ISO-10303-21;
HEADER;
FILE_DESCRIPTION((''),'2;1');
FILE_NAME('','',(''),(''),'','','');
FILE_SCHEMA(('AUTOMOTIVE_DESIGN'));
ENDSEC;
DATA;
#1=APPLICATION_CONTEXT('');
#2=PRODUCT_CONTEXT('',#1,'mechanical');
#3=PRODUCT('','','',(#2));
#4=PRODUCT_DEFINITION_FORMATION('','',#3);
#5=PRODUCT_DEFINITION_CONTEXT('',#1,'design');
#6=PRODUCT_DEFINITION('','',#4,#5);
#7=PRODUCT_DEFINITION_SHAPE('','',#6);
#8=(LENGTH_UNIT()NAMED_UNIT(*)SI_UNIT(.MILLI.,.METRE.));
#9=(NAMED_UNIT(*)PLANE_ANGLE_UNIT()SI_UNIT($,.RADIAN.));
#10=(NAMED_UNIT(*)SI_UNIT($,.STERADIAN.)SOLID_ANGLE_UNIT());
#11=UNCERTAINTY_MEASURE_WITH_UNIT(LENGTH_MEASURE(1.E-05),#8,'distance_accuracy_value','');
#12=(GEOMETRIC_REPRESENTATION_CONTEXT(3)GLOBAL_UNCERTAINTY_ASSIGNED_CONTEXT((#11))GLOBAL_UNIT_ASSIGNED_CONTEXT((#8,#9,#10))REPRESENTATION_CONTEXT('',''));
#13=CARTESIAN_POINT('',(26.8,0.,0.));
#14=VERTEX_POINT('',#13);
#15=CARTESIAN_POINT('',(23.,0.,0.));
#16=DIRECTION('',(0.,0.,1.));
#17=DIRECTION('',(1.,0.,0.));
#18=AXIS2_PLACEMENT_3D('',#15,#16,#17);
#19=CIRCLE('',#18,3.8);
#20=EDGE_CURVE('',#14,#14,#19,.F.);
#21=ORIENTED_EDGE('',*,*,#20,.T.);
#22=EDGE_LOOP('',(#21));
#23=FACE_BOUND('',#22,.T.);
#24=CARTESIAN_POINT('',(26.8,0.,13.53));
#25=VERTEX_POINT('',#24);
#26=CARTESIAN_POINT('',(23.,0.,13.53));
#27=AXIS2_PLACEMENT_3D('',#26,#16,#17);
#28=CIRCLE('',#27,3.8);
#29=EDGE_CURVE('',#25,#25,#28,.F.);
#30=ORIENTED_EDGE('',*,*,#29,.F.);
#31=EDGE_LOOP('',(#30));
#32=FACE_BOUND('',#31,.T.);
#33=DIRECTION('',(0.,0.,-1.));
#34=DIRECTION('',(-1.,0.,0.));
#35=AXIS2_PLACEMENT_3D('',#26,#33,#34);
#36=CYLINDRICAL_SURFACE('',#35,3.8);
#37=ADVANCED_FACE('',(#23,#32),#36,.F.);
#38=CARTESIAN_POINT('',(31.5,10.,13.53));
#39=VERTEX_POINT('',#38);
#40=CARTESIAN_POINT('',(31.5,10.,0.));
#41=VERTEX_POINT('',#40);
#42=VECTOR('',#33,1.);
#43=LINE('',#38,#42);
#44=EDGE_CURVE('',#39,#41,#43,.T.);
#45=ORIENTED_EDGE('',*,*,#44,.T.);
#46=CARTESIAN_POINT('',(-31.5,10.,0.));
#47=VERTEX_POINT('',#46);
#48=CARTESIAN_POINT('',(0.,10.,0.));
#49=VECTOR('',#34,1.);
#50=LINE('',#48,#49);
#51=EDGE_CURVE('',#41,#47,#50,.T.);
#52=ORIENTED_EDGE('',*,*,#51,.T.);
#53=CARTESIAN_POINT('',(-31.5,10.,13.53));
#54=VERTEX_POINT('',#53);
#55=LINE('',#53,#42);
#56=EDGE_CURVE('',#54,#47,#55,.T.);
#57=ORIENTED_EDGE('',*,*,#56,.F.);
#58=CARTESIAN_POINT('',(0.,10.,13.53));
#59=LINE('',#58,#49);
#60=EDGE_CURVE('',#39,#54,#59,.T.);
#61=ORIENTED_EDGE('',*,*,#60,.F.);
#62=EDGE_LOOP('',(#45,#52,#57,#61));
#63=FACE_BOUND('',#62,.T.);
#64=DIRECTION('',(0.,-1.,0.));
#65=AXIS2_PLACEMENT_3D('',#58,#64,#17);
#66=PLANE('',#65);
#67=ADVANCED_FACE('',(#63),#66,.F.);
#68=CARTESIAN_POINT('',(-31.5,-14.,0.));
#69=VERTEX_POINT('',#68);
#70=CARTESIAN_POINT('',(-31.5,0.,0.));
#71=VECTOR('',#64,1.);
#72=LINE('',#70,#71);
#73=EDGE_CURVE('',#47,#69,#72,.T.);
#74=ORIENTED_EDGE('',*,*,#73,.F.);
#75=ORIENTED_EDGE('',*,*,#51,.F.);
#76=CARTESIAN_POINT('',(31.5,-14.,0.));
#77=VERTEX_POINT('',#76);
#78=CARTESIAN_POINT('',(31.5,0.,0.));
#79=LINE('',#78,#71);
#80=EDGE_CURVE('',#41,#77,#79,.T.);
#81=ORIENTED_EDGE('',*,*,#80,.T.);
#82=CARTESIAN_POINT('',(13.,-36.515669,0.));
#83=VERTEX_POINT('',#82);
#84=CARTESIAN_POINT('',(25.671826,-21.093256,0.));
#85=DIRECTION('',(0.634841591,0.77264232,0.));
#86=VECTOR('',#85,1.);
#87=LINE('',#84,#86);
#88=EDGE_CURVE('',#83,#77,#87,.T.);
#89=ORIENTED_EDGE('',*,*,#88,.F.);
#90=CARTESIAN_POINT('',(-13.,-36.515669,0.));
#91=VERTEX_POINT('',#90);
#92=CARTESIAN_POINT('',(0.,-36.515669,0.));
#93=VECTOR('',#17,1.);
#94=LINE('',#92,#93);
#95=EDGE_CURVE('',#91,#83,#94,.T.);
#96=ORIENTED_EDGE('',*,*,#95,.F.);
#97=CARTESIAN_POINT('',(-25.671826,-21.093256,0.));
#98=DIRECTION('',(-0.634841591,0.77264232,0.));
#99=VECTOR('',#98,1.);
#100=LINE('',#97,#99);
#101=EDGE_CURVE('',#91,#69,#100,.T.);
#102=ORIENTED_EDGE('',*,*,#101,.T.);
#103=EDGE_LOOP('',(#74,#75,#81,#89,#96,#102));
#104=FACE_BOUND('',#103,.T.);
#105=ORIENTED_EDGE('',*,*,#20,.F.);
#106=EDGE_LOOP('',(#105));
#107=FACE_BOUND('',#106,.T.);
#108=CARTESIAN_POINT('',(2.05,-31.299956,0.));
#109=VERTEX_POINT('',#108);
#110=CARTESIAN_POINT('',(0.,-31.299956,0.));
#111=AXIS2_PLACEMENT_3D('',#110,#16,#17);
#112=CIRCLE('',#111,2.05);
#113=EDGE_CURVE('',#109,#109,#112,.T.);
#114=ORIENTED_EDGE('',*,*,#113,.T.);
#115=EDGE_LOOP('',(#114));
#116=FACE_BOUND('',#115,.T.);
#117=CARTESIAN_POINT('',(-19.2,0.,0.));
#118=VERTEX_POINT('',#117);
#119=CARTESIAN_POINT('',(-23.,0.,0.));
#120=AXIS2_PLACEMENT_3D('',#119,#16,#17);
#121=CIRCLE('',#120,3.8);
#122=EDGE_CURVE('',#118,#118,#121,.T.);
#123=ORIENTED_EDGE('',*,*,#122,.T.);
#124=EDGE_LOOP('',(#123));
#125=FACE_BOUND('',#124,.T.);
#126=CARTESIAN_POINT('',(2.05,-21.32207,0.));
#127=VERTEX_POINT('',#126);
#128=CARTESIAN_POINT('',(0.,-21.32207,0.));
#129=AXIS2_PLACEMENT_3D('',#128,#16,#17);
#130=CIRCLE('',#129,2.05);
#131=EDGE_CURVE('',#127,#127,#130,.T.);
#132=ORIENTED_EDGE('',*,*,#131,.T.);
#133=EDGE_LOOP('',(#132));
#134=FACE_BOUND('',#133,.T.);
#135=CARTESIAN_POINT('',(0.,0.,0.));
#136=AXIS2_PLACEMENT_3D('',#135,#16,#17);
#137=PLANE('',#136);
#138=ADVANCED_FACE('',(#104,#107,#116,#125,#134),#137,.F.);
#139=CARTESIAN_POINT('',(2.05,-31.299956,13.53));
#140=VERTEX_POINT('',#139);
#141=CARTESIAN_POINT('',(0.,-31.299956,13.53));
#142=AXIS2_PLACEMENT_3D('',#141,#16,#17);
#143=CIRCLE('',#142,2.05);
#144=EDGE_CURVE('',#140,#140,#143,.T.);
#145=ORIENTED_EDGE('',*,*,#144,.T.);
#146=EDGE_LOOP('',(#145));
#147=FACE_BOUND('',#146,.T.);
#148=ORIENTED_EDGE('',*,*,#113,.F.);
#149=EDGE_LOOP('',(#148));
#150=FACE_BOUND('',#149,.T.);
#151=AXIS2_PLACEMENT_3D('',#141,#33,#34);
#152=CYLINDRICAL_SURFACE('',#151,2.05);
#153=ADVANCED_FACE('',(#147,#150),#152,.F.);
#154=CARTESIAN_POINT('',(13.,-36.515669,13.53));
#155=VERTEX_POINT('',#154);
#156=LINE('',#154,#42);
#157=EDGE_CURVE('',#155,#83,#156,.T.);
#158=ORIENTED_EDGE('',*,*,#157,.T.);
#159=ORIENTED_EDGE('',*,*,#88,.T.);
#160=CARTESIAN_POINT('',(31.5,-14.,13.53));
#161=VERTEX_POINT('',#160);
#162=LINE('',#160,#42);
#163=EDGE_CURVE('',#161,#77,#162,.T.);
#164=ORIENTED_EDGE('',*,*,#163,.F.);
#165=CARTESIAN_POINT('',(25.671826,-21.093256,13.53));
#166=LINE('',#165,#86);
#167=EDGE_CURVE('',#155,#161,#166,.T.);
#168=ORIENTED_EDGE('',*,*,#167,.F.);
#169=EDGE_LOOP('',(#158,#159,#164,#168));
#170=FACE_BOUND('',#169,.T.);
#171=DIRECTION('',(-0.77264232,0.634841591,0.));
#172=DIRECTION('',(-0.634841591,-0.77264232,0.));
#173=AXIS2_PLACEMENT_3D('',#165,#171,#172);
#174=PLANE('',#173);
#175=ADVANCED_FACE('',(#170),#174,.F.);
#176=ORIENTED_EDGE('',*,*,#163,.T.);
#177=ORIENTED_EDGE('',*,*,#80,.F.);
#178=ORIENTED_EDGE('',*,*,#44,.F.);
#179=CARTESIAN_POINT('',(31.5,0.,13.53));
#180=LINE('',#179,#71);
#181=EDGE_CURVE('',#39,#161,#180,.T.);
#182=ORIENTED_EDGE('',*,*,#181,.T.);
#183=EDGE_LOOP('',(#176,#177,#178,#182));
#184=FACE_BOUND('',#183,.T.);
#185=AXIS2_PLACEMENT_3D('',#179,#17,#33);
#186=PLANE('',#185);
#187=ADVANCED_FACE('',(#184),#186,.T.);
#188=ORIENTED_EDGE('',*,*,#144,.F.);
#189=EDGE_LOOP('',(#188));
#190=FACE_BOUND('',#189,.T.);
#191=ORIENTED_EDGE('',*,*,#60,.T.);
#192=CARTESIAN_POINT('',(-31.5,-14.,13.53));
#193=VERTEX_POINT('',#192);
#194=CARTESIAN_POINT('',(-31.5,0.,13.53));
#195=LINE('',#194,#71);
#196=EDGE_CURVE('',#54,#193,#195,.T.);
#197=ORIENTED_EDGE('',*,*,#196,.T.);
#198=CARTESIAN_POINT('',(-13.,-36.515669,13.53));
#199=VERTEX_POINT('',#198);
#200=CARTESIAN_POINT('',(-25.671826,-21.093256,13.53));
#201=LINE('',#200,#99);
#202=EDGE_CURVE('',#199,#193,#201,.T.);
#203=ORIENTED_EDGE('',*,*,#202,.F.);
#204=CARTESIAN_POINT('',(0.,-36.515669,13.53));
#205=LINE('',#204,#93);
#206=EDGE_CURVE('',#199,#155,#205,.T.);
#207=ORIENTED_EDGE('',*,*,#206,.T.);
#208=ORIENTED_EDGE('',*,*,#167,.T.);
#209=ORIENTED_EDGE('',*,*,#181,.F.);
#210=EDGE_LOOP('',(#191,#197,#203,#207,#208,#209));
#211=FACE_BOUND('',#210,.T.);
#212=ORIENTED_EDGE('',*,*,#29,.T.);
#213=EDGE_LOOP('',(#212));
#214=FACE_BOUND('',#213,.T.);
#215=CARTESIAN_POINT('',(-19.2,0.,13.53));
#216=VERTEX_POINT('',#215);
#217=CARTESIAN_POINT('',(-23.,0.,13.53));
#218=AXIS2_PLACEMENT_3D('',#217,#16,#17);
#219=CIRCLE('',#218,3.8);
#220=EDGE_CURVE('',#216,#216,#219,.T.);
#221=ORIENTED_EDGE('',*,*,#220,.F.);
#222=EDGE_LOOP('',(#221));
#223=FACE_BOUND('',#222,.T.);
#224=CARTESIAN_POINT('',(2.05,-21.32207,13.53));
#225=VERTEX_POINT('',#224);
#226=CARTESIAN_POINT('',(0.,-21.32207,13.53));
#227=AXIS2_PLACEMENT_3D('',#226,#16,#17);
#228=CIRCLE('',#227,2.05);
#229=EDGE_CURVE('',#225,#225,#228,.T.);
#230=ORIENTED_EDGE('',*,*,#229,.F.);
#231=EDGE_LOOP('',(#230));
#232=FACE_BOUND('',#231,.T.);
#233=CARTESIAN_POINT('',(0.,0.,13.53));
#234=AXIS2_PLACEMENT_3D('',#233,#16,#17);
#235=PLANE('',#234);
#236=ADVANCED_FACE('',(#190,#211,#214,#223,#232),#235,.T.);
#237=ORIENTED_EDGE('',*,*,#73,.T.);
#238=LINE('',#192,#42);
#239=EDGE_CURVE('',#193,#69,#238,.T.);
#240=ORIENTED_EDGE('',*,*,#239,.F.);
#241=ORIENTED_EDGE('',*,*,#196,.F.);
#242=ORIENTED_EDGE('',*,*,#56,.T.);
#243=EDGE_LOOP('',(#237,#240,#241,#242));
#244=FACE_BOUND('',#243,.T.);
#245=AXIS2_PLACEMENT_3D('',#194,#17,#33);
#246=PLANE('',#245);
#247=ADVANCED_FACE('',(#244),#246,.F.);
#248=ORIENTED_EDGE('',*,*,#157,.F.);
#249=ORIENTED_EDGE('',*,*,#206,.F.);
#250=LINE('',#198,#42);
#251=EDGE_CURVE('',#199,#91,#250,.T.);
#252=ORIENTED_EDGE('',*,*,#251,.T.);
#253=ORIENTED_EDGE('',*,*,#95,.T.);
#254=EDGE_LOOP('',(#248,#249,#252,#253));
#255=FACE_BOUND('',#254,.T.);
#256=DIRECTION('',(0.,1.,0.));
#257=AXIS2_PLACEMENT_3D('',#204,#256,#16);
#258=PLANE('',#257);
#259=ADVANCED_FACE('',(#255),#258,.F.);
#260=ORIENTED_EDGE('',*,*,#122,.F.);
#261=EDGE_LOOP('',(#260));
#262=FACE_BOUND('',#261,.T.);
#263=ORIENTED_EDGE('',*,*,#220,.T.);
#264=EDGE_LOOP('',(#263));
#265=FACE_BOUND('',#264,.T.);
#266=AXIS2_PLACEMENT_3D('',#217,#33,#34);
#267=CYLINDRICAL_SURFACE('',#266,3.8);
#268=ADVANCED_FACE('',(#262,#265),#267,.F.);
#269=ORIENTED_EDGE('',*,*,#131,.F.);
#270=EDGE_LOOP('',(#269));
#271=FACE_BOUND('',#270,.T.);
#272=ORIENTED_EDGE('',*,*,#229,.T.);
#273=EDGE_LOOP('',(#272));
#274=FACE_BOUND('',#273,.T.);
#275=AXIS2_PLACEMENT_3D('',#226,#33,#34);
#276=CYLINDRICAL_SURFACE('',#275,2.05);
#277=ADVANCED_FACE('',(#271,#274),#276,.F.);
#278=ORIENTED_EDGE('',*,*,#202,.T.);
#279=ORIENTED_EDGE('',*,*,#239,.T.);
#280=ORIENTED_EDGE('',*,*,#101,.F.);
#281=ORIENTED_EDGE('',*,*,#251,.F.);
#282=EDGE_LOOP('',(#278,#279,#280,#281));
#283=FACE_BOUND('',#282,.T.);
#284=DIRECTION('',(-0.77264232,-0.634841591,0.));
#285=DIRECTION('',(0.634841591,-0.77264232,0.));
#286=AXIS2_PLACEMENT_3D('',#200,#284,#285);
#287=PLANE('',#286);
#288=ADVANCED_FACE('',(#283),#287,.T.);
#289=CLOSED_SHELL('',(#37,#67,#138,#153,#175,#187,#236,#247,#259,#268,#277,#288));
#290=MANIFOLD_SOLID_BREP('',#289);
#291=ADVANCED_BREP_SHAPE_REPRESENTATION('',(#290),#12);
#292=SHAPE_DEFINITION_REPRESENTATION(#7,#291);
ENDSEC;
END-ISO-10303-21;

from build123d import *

# Parameters (mm, degrees)
SKETCH1_W           = 63
SKETCH1_H           = 24
SKETCH1_R           = 3.8
BOSS_EXTRUDE1_DEPTH = 13.53
SKETCH1_3_R         = 2.05
BOSS_EXTRUDE2_DEPTH = 13.53


with BuildPart() as part:
    # Sketch1 → Boss-Extrude1 (new body)
    with BuildSketch(Plane.XY):
        with Locations((0, -2)):
            Rectangle(SKETCH1_W, SKETCH1_H)
        with Locations((-23, 0)):
            Circle(SKETCH1_R, mode=Mode.SUBTRACT)
        with Locations((23, 0)):
            Circle(SKETCH1_R, mode=Mode.SUBTRACT)
    extrude(amount=BOSS_EXTRUDE1_DEPTH)

    # Sketch1<3> → Boss-Extrude2 (add)
    with BuildSketch(Plane.XY):
        Polygon((13, -36.51566868), (31.5, -14), (-31.5, -14), (-13, -36.51566868), (0, -36.51566868), align=None)
        with Locations((0, -31.299955557)):
            Circle(SKETCH1_3_R, mode=Mode.SUBTRACT)
        with Locations((0, -21.322069584)):
            Circle(SKETCH1_3_R, mode=Mode.SUBTRACT)
    extrude(amount=BOSS_EXTRUDE2_DEPTH)


solid = part.part
